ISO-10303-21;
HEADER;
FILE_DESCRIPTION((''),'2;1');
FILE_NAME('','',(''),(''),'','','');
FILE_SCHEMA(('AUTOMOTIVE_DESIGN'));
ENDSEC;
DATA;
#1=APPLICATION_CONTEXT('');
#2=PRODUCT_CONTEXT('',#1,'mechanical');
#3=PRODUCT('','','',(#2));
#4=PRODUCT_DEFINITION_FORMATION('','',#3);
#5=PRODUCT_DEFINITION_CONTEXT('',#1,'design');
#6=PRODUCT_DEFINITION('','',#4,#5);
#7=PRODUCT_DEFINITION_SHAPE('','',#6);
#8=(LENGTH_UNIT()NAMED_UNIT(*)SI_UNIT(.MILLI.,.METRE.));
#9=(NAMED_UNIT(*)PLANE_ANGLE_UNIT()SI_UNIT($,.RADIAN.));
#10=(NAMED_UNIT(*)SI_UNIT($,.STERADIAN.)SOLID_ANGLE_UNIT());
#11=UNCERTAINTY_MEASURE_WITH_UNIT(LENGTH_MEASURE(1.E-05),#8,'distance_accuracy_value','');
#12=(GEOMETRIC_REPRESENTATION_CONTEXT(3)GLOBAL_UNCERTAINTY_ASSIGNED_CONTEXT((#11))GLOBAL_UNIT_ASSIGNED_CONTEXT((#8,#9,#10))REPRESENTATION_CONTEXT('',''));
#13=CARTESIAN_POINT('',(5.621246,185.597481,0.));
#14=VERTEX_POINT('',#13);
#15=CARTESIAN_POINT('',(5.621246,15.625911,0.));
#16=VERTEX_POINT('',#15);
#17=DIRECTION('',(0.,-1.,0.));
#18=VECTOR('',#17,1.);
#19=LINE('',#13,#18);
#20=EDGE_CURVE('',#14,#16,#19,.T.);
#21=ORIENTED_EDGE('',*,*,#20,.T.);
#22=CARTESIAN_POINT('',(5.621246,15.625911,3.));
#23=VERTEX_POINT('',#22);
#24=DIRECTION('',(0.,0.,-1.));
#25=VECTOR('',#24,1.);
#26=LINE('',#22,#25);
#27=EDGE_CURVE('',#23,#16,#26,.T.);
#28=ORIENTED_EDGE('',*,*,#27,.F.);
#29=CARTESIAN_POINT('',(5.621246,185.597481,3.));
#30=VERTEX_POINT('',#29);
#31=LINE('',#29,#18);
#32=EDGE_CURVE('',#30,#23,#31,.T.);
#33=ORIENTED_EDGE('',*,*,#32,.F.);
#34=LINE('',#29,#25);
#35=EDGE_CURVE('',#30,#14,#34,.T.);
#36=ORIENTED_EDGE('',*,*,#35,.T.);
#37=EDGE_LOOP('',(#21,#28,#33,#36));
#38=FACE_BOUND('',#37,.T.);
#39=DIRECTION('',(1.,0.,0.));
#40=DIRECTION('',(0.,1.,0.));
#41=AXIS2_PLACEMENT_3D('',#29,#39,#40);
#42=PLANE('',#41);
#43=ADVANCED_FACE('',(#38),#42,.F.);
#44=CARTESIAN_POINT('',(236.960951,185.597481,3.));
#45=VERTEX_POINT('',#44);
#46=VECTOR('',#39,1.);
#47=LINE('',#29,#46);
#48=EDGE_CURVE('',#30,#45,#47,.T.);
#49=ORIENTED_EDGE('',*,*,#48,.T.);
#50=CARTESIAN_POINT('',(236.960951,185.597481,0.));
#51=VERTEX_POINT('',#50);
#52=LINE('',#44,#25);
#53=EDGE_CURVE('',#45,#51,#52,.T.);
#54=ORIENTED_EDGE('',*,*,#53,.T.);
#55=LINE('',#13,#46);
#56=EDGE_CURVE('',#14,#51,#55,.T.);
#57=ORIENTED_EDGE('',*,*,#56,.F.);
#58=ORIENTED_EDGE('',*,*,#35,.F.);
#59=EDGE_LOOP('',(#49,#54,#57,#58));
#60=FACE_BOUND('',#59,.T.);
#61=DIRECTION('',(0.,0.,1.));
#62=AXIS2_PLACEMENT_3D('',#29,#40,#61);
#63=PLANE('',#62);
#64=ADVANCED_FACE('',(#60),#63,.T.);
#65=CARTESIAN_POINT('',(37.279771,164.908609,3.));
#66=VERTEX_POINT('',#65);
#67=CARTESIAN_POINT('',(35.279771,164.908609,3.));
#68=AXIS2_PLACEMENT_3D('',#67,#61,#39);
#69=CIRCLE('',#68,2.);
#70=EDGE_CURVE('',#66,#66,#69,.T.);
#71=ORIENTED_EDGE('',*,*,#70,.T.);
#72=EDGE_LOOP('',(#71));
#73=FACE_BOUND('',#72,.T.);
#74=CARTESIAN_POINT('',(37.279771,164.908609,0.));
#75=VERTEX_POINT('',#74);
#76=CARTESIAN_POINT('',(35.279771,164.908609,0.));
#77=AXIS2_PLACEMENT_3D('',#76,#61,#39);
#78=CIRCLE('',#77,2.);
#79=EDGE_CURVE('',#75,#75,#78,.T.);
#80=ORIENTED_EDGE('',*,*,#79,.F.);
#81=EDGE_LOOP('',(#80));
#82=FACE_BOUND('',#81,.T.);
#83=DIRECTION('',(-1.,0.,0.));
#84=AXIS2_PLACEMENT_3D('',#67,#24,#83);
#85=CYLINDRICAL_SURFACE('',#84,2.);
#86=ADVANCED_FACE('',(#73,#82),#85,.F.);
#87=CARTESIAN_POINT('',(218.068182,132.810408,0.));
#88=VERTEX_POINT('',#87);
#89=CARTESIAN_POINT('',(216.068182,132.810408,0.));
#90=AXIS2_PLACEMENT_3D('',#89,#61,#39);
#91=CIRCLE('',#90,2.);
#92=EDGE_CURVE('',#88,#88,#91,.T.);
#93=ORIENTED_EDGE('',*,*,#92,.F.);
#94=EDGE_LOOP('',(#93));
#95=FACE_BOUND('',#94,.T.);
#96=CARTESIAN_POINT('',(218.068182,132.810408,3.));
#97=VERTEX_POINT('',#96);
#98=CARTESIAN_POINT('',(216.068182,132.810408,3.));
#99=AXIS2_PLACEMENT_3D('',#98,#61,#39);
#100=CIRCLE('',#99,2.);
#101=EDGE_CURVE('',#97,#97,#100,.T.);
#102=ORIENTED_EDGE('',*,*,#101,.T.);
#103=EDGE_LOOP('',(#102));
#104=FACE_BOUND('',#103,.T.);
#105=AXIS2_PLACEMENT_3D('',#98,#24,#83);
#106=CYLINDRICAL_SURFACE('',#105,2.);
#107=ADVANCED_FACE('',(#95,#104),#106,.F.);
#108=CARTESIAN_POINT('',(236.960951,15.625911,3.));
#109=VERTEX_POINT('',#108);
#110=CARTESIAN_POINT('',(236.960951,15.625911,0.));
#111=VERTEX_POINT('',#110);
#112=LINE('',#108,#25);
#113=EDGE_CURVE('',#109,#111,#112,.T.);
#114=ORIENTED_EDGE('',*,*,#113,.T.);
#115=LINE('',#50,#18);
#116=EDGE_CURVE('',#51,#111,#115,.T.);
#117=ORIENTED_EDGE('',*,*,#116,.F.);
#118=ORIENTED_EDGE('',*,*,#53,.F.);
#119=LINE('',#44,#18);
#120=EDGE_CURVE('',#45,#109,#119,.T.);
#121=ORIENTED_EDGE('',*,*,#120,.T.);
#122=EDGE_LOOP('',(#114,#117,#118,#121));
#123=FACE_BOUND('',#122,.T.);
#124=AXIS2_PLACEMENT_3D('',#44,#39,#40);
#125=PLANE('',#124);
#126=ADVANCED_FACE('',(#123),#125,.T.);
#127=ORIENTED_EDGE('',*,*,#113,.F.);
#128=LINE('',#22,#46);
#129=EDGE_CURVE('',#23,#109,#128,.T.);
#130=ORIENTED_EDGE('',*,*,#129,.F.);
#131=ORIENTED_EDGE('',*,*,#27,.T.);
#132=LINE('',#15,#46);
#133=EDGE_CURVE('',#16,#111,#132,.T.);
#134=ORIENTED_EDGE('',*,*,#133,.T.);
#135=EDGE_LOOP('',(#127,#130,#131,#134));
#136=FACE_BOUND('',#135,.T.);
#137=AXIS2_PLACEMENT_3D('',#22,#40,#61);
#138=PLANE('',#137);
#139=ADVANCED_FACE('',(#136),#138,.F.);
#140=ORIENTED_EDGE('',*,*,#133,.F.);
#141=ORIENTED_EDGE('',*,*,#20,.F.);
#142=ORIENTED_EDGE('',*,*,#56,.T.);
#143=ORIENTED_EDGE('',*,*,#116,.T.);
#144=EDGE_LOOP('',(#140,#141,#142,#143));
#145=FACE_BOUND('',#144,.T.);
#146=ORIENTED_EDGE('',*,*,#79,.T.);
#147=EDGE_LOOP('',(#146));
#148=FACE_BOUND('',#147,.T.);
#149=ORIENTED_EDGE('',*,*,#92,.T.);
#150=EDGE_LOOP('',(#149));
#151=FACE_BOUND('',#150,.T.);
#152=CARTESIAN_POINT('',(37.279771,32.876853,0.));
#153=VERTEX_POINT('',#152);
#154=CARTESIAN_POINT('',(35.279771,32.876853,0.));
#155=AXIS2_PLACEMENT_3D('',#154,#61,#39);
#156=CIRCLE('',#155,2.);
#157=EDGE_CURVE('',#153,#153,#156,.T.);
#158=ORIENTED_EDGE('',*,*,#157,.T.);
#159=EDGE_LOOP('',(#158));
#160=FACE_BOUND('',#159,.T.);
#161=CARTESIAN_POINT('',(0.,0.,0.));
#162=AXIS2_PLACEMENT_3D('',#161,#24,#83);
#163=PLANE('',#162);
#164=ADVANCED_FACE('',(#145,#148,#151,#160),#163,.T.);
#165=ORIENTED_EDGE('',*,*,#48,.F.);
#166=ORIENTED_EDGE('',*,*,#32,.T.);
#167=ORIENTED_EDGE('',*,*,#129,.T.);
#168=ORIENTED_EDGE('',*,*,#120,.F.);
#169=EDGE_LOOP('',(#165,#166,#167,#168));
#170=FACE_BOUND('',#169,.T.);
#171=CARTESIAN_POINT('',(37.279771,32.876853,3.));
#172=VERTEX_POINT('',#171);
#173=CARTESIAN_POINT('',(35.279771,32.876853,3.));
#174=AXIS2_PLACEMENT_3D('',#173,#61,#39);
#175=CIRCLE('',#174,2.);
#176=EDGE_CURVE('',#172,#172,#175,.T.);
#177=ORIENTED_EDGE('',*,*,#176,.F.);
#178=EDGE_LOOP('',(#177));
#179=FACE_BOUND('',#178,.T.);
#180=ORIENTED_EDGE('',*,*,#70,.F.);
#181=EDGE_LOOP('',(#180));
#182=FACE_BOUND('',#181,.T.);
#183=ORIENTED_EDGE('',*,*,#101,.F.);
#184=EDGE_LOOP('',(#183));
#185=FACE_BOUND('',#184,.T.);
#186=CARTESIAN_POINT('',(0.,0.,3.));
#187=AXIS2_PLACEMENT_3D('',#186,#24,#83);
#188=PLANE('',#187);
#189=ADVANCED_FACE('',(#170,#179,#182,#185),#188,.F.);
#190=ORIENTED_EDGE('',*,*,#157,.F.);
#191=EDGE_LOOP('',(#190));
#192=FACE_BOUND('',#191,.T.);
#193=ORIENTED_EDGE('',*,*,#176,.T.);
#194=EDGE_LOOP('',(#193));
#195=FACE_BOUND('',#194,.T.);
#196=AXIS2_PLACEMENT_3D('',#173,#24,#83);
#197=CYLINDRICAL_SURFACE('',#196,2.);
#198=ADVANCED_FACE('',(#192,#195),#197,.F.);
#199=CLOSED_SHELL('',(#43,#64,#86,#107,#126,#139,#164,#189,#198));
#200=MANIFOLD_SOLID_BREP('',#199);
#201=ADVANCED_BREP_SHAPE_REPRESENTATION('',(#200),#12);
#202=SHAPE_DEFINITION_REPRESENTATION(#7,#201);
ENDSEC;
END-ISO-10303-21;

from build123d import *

# Parameters (mm, degrees)
SKETCH5_W           = 231.33970484
SKETCH5_H           = 169.971569924
SKETCH5_R           = 2
BOSS_EXTRUDE1_DEPTH = 3


with BuildPart() as part:
    # Sketch5 → Boss-Extrude1 (new body)
    with BuildSketch(Plane.XY):
        with Locations((121.291098596, 100.611695833)):
            Rectangle(SKETCH5_W, SKETCH5_H)
        with Locations((35.279770561, 164.908609459)):
            Circle(SKETCH5_R, mode=Mode.SUBTRACT)
        with Locations((216.068181509, 132.810408205)):
            Circle(SKETCH5_R, mode=Mode.SUBTRACT)
        with Locations((35.279770561, 32.876853447)):
            Circle(SKETCH5_R, mode=Mode.SUBTRACT)
    extrude(amount=BOSS_EXTRUDE1_DEPTH)


solid = part.part
